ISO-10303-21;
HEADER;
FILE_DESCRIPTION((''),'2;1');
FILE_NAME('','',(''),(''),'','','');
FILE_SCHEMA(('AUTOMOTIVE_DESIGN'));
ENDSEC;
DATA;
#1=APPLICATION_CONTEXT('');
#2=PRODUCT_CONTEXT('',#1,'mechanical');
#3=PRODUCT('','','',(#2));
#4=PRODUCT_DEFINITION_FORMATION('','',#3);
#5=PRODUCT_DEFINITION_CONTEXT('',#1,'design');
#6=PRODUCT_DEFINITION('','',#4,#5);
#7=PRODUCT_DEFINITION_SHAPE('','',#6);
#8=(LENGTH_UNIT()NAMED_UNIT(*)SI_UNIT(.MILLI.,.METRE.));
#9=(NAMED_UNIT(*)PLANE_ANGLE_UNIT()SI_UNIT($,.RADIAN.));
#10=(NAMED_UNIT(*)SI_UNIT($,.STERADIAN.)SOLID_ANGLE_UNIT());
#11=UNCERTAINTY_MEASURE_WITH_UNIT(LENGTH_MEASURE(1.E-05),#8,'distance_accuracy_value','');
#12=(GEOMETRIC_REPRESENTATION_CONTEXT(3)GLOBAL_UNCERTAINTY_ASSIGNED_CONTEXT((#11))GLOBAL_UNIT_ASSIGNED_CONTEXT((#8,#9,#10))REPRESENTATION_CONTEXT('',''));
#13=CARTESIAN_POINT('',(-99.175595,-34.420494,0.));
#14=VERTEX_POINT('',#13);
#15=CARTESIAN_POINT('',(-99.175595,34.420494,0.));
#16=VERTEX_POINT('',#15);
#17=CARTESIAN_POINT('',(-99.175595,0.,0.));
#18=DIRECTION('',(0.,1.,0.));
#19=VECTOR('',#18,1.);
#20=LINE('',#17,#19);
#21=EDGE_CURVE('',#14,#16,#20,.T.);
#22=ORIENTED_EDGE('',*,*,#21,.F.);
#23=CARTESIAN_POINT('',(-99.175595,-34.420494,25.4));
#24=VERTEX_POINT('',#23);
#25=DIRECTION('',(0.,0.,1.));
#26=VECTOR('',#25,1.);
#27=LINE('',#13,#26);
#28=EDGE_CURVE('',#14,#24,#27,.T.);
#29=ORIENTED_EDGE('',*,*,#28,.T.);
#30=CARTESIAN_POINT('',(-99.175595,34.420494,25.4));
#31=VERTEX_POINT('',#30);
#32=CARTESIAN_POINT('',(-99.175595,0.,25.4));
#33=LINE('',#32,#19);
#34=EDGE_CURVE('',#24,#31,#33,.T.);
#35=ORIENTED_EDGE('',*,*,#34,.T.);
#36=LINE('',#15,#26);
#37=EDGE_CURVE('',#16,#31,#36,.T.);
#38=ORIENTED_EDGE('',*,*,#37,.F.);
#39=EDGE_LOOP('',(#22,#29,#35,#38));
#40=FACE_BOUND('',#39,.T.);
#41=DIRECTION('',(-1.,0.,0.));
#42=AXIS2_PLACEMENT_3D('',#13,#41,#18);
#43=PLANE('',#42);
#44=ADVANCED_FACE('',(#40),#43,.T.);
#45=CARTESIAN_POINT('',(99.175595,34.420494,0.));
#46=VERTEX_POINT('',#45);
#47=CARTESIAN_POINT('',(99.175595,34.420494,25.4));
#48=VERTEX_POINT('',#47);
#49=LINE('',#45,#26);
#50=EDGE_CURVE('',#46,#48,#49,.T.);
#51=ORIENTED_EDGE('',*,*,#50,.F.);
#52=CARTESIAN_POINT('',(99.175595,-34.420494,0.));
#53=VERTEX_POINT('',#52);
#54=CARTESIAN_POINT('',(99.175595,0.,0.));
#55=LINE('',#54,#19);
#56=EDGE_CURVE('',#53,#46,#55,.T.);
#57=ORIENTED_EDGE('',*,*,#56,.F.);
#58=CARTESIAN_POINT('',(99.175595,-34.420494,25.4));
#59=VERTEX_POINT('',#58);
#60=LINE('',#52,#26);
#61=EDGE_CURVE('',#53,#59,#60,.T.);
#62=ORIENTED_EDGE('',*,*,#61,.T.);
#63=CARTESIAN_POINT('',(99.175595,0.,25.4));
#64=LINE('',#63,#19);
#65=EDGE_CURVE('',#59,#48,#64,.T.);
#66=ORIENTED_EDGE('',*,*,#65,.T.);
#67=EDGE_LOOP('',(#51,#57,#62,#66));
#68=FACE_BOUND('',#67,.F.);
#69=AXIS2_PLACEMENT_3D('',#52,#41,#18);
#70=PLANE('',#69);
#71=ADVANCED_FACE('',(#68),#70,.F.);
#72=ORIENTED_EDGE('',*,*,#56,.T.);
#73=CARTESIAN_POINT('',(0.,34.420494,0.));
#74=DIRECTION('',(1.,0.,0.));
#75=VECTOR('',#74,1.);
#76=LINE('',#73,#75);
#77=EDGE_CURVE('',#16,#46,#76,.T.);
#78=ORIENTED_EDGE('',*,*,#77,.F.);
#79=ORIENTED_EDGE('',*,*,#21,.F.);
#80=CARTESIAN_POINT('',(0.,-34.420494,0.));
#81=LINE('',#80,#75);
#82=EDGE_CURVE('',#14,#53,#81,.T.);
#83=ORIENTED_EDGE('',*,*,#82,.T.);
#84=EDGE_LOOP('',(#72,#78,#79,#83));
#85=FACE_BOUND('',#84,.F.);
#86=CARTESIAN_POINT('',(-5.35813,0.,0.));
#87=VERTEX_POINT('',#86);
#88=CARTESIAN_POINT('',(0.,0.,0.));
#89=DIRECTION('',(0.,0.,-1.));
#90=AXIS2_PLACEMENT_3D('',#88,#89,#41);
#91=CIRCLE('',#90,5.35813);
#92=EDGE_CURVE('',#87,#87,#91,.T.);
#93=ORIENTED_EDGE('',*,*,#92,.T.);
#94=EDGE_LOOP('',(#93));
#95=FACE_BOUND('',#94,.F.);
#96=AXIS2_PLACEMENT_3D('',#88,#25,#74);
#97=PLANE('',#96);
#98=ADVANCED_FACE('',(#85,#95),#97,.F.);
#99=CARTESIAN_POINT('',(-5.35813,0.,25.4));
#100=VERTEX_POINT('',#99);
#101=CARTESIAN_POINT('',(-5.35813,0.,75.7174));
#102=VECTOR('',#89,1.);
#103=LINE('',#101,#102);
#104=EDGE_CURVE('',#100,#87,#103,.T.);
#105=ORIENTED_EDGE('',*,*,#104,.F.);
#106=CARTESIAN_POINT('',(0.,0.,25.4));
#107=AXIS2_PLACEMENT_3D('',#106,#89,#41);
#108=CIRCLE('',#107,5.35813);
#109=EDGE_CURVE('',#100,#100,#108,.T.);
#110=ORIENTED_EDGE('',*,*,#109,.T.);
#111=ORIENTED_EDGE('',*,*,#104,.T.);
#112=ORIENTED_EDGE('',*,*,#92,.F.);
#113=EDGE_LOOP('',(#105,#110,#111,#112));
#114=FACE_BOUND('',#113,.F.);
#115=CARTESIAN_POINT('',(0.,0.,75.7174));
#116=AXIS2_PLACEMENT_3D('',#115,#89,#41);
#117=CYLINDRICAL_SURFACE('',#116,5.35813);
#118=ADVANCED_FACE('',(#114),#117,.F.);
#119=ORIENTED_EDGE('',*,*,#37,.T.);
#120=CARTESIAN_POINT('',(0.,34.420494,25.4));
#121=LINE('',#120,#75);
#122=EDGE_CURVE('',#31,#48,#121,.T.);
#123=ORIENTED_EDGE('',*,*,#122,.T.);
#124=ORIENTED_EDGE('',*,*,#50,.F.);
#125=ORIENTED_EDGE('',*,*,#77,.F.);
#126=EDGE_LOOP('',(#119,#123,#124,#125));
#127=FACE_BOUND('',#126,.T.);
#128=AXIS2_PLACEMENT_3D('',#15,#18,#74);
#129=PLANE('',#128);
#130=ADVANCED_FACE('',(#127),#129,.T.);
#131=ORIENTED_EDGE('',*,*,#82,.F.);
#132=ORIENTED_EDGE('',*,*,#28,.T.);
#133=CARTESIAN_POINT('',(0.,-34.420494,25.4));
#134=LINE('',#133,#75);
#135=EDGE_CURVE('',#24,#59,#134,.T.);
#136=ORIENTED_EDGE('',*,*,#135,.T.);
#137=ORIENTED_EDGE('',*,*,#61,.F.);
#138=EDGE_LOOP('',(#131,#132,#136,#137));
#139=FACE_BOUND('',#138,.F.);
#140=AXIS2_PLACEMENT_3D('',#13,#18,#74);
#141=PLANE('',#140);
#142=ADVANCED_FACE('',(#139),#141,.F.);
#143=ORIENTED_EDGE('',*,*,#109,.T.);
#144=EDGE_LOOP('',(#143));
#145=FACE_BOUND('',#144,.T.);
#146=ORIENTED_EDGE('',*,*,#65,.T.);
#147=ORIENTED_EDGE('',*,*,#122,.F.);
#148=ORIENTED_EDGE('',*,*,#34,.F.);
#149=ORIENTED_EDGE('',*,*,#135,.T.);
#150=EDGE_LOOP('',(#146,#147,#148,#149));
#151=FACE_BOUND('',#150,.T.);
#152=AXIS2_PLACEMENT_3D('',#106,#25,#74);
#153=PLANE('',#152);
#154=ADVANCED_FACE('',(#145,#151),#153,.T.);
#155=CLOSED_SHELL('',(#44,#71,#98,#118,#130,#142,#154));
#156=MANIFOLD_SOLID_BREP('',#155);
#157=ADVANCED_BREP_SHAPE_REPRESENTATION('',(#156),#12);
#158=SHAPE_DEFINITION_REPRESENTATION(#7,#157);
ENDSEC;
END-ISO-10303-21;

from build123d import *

# Parameters (mm, degrees)
F0_W     = 198.3511894941
F0_H     = 68.8409879804
F1_DEPTH = 25.4
F3_D     = 10.71626
F3_DEPTH = 50.3174
F3_TIP   = 3.2194893086


with BuildPart() as f1:
    # F0 (on Top) → F1 (new body)
    with BuildSketch(Plane.XY):
        Rectangle(F0_W, F0_H)
    extrude(amount=F1_DEPTH)

    # F3
    with Locations(Plane.XY.offset(25.4)):
        with Locations((0, 0)):
            Hole(F3_D / 2, depth=F3_DEPTH)
            with Locations((0, 0, -(F3_DEPTH + F3_TIP / 2))):  # 118° drill point
                Cone(0, F3_D / 2, F3_TIP, mode=Mode.SUBTRACT)


solid = f1.part
